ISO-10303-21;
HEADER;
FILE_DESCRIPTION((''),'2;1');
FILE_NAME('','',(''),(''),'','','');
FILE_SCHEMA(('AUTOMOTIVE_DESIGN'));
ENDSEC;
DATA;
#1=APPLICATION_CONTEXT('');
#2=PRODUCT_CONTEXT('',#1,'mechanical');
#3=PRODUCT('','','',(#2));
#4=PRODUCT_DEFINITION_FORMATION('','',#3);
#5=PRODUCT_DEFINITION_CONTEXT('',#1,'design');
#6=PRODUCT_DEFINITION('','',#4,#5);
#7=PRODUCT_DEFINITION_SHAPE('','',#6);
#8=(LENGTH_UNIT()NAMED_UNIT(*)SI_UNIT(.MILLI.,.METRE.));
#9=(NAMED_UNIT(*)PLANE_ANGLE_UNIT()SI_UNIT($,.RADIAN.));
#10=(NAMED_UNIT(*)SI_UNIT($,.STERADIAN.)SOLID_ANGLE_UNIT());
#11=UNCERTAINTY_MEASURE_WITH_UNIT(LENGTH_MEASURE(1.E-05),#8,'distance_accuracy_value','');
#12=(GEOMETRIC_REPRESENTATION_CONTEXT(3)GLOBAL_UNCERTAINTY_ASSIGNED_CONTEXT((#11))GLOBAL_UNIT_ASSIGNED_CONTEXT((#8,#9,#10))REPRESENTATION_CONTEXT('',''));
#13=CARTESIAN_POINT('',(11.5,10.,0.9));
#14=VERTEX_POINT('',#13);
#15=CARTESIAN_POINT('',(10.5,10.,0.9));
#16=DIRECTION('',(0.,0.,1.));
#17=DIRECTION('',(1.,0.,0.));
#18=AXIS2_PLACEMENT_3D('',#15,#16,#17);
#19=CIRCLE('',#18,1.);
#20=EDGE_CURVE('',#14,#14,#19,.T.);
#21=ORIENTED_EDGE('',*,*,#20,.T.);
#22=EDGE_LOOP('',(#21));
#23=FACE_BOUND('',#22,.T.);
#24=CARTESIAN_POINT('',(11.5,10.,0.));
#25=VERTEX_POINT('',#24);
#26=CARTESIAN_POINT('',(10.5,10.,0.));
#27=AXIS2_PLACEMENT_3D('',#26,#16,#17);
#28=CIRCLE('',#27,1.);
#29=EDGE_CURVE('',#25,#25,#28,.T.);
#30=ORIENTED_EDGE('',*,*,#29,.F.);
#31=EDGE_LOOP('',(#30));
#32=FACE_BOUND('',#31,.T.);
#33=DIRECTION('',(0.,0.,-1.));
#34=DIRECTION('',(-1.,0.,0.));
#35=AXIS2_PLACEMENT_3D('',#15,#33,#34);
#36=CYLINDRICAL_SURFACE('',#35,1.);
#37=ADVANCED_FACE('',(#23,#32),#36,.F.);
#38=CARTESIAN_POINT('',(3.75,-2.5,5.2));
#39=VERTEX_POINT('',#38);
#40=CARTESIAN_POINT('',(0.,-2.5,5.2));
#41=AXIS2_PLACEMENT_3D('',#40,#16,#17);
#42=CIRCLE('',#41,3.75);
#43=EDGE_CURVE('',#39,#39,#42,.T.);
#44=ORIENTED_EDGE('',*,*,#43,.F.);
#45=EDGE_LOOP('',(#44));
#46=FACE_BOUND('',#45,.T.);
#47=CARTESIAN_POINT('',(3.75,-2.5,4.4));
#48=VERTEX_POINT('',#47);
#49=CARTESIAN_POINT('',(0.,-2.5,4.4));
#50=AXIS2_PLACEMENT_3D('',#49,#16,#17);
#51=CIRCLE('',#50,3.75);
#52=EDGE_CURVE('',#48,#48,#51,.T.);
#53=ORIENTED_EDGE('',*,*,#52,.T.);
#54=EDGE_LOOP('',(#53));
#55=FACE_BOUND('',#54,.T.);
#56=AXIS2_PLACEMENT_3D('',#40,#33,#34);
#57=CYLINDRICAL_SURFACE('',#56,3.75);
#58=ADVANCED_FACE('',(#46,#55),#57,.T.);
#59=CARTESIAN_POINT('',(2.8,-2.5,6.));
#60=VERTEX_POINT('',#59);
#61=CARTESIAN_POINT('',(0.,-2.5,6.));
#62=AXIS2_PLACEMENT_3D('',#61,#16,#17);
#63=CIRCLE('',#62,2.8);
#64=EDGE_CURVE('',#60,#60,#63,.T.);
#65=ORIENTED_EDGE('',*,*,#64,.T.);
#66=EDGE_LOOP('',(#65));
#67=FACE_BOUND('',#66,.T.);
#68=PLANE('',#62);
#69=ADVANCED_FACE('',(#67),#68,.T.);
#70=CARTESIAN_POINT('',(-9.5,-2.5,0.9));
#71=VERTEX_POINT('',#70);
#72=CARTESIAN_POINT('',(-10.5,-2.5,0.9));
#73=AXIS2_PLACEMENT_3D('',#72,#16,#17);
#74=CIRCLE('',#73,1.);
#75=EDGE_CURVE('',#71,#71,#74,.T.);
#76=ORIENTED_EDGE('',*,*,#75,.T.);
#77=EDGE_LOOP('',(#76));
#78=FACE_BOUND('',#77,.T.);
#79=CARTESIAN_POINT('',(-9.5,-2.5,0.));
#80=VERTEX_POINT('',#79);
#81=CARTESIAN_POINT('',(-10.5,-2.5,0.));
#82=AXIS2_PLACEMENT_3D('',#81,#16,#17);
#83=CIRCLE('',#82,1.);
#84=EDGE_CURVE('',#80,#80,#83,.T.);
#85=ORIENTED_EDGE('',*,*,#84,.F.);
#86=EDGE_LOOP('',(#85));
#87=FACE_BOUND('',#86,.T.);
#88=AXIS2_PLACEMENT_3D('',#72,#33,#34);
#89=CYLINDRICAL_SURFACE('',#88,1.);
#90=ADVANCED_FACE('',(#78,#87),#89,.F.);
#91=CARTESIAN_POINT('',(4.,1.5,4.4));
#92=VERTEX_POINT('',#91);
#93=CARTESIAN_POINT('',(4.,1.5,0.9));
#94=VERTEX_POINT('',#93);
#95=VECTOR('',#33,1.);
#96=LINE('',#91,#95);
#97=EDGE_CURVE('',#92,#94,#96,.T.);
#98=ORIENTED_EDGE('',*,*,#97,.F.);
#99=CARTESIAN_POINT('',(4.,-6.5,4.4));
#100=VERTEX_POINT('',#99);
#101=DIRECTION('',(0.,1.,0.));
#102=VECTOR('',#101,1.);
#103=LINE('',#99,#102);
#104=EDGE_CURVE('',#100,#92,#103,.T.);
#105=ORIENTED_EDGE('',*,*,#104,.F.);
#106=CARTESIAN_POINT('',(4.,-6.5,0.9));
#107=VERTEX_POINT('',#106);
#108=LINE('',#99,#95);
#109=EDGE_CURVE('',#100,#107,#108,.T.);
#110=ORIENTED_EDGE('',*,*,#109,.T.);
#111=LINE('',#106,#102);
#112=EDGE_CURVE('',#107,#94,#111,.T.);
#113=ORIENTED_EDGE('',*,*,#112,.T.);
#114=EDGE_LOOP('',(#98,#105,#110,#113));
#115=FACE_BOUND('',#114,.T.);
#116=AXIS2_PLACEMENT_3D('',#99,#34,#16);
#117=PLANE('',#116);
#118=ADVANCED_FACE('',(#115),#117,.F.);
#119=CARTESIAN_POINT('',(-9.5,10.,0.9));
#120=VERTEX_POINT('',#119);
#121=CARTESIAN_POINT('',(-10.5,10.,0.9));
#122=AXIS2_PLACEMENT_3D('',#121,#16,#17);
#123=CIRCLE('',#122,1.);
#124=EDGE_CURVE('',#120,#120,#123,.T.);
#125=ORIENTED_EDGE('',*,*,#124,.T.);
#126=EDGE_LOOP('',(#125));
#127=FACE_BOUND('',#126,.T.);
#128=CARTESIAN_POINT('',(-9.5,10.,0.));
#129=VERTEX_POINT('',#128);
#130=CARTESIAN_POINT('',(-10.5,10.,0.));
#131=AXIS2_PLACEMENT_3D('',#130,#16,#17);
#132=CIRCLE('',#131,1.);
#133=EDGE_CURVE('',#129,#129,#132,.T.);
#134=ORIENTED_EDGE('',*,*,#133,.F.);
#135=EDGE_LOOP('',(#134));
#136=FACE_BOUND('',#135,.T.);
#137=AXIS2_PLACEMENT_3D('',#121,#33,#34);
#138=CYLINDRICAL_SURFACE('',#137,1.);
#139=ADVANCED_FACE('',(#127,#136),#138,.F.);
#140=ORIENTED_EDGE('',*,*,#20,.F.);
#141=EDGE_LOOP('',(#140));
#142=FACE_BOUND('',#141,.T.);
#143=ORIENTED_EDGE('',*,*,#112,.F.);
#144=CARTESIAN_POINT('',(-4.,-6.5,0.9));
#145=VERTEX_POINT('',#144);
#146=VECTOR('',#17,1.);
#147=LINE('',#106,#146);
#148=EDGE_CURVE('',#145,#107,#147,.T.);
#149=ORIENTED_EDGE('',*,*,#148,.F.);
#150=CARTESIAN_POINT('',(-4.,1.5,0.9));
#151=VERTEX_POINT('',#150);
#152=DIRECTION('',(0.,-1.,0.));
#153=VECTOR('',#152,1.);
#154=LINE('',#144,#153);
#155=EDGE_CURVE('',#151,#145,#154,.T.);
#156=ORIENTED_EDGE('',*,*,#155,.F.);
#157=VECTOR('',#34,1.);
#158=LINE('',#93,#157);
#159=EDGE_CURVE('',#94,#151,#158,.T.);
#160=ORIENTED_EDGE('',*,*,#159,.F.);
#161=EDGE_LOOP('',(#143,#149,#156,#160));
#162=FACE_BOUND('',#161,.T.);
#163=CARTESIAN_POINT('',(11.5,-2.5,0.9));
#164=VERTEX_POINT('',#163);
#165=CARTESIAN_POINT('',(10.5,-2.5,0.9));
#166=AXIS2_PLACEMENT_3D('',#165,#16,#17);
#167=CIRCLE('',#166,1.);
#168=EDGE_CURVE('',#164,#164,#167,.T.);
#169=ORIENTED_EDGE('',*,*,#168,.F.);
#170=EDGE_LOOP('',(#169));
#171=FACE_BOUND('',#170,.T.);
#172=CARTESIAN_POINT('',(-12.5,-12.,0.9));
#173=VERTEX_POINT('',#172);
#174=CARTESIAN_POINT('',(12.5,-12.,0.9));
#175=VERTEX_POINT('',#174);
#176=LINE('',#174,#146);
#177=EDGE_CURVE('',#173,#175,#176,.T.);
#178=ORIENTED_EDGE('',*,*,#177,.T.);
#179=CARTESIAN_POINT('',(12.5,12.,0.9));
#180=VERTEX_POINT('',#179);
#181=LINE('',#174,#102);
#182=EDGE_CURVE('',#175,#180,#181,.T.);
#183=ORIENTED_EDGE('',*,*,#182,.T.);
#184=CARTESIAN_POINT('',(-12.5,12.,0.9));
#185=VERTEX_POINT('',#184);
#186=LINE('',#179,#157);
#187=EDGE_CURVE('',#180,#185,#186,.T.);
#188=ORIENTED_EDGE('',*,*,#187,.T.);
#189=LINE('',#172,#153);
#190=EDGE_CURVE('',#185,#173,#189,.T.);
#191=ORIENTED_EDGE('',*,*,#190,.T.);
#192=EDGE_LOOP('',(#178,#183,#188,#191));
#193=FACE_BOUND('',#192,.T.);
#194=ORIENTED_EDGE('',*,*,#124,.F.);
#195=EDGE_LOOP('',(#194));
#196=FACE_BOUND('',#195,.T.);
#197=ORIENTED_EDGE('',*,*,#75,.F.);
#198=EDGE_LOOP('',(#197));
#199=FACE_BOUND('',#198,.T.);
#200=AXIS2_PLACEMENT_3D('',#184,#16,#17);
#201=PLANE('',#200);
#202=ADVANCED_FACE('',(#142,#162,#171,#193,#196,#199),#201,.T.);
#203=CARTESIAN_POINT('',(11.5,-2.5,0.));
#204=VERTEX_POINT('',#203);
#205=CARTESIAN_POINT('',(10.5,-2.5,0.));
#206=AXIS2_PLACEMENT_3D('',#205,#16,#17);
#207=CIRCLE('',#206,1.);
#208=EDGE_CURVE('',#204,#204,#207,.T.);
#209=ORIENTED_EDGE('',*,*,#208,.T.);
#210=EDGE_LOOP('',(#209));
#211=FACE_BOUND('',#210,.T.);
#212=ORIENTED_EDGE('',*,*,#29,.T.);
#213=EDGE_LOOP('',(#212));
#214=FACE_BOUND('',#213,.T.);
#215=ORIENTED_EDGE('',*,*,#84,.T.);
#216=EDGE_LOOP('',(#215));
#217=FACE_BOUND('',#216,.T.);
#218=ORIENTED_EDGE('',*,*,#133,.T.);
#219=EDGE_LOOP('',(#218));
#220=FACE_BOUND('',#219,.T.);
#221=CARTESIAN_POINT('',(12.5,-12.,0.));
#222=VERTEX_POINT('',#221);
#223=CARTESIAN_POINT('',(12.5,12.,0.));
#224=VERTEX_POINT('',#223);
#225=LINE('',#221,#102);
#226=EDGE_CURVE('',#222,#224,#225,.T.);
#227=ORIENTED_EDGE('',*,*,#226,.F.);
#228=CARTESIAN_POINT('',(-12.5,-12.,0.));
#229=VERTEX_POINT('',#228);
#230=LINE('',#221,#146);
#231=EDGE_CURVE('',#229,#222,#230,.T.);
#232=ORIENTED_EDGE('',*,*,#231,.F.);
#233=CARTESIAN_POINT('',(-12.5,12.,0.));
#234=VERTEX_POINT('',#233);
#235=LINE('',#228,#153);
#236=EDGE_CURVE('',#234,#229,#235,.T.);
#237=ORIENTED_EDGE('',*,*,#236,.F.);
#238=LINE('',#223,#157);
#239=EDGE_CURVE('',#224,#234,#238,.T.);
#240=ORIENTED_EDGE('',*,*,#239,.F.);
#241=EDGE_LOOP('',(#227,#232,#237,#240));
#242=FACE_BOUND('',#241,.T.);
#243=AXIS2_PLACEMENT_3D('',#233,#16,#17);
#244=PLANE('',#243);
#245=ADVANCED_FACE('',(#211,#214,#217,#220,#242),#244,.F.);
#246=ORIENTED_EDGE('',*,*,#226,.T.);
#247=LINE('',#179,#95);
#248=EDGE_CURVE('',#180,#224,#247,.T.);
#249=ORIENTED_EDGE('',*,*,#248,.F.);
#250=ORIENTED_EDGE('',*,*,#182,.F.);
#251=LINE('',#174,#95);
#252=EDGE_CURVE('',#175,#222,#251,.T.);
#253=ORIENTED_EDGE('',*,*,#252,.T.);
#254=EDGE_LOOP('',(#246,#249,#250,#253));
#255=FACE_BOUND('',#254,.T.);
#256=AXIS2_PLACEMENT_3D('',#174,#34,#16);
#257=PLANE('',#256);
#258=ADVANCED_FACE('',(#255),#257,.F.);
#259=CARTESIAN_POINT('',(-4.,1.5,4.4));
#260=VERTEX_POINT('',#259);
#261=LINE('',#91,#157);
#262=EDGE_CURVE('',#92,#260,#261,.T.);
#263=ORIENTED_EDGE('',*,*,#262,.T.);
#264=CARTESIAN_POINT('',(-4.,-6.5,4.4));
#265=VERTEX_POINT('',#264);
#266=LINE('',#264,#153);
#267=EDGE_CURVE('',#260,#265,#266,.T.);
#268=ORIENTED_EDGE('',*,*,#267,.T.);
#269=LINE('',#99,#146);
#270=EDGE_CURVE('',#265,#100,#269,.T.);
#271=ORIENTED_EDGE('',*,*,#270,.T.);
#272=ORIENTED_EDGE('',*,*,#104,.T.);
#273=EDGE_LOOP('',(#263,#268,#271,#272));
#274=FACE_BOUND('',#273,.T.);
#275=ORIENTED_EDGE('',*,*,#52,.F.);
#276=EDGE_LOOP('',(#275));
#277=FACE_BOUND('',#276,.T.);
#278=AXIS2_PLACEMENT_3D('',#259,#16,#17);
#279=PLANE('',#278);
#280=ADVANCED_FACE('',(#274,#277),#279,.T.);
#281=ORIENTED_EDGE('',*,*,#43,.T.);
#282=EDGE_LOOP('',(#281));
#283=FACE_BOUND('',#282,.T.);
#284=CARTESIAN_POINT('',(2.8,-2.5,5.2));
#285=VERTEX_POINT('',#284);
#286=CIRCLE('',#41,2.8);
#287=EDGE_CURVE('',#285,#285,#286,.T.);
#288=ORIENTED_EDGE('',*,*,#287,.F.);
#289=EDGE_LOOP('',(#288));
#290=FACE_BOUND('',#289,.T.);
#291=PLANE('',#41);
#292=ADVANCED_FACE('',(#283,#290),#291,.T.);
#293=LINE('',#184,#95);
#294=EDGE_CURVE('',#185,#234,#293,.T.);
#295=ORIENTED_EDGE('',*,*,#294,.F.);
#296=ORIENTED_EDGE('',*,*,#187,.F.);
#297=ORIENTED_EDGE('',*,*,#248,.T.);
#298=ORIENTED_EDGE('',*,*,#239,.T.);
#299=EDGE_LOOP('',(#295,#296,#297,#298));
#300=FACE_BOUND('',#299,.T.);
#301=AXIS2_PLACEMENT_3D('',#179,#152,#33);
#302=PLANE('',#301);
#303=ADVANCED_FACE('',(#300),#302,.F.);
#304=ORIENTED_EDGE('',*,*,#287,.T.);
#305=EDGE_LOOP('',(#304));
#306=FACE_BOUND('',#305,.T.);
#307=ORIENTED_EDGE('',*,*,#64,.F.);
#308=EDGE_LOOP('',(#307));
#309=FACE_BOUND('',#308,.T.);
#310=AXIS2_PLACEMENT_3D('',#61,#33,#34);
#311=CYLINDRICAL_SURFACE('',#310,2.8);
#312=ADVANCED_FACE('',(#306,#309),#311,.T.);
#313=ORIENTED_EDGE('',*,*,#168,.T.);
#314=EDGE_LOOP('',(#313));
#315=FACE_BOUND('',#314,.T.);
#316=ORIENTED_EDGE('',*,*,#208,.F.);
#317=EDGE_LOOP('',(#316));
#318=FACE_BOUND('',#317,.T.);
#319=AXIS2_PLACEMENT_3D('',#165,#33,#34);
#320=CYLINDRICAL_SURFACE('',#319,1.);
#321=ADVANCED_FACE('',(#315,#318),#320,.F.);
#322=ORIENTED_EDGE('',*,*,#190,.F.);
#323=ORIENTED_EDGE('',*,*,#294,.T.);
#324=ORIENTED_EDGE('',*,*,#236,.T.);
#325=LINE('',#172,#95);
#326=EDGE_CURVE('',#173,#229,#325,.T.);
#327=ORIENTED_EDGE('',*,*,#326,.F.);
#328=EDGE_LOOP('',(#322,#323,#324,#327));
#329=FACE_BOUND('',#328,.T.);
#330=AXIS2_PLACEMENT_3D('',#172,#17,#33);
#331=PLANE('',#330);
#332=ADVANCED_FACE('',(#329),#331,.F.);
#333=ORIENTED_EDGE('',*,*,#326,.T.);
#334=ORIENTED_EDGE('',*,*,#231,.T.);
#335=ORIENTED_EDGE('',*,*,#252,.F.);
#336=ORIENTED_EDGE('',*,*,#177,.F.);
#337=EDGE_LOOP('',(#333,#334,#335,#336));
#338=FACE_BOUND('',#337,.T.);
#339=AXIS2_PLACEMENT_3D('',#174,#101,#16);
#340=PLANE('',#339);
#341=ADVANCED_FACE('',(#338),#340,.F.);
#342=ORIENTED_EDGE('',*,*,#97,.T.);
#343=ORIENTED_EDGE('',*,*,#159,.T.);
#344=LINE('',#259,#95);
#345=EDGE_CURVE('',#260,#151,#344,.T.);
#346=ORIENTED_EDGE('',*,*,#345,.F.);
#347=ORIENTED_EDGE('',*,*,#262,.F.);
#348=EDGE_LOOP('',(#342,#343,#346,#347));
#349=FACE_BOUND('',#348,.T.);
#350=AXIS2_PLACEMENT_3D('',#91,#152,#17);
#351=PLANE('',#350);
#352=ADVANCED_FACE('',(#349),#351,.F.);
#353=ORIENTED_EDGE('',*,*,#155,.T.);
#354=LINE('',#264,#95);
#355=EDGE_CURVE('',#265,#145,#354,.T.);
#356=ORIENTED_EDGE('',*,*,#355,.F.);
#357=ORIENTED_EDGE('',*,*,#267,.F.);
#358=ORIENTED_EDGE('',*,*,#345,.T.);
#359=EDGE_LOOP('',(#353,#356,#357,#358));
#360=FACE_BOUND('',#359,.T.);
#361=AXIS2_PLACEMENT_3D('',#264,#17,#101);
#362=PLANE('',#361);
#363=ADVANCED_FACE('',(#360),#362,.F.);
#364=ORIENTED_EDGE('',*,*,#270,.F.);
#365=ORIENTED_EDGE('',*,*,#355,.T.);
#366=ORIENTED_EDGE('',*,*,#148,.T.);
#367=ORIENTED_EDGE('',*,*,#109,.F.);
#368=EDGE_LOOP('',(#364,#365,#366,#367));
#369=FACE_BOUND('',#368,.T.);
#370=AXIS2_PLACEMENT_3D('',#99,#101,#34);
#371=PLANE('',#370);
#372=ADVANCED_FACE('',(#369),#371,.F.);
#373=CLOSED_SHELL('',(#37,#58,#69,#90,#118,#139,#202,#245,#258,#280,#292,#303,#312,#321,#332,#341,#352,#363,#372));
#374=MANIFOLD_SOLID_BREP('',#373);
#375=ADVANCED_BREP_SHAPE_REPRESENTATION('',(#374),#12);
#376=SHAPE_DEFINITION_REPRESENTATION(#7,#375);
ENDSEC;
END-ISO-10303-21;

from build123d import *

# Parameters (mm, degrees)
CROQUIS1_W              = 25
CROQUIS1_H              = 24
CROQUIS1_R              = 1
SALIENTE_EXTRUIR1_DEPTH = 0.9
CROQUIS2_W              = 8
CROQUIS2_H              = 8
SALIENTE_EXTRUIR2_DEPTH = 3.5
CROQUIS3_R              = 3.75
SALIENTE_EXTRUIR3_DEPTH = 0.8
CROQUIS4_R              = 2.8
SALIENTE_EXTRUIR4_DEPTH = 0.8


with BuildPart() as part:
    # Croquis1 → Saliente-Extruir1 (new body)
    with BuildSketch(Plane.XY):
        Rectangle(CROQUIS1_W, CROQUIS1_H)
        with Locations((10.5, 10)):
            Circle(CROQUIS1_R, mode=Mode.SUBTRACT)
        with Locations((10.5, -2.5)):
            Circle(CROQUIS1_R, mode=Mode.SUBTRACT)
        with Locations((-10.5, -2.5)):
            Circle(CROQUIS1_R, mode=Mode.SUBTRACT)
        with Locations((-10.5, 10)):
            Circle(CROQUIS1_R, mode=Mode.SUBTRACT)
    extrude(amount=SALIENTE_EXTRUIR1_DEPTH)

    # Croquis2 → Saliente-Extruir2 (add)
    with BuildSketch(Plane.XY.offset(0.9)):
        with Locations((0, -2.5)):
            Rectangle(CROQUIS2_W, CROQUIS2_H)
    extrude(amount=SALIENTE_EXTRUIR2_DEPTH)

    # Croquis3 → Saliente-Extruir3 (add)
    with BuildSketch(Plane.XY.offset(4.4)):
        with Locations((0, -2.5)):
            Circle(CROQUIS3_R)
    extrude(amount=SALIENTE_EXTRUIR3_DEPTH)

    # Croquis4 → Saliente-Extruir4 (add)
    with BuildSketch(Plane.XY.offset(5.2)):
        with Locations((0, -2.5)):
            Circle(CROQUIS4_R)
    extrude(amount=SALIENTE_EXTRUIR4_DEPTH)


solid = part.part
